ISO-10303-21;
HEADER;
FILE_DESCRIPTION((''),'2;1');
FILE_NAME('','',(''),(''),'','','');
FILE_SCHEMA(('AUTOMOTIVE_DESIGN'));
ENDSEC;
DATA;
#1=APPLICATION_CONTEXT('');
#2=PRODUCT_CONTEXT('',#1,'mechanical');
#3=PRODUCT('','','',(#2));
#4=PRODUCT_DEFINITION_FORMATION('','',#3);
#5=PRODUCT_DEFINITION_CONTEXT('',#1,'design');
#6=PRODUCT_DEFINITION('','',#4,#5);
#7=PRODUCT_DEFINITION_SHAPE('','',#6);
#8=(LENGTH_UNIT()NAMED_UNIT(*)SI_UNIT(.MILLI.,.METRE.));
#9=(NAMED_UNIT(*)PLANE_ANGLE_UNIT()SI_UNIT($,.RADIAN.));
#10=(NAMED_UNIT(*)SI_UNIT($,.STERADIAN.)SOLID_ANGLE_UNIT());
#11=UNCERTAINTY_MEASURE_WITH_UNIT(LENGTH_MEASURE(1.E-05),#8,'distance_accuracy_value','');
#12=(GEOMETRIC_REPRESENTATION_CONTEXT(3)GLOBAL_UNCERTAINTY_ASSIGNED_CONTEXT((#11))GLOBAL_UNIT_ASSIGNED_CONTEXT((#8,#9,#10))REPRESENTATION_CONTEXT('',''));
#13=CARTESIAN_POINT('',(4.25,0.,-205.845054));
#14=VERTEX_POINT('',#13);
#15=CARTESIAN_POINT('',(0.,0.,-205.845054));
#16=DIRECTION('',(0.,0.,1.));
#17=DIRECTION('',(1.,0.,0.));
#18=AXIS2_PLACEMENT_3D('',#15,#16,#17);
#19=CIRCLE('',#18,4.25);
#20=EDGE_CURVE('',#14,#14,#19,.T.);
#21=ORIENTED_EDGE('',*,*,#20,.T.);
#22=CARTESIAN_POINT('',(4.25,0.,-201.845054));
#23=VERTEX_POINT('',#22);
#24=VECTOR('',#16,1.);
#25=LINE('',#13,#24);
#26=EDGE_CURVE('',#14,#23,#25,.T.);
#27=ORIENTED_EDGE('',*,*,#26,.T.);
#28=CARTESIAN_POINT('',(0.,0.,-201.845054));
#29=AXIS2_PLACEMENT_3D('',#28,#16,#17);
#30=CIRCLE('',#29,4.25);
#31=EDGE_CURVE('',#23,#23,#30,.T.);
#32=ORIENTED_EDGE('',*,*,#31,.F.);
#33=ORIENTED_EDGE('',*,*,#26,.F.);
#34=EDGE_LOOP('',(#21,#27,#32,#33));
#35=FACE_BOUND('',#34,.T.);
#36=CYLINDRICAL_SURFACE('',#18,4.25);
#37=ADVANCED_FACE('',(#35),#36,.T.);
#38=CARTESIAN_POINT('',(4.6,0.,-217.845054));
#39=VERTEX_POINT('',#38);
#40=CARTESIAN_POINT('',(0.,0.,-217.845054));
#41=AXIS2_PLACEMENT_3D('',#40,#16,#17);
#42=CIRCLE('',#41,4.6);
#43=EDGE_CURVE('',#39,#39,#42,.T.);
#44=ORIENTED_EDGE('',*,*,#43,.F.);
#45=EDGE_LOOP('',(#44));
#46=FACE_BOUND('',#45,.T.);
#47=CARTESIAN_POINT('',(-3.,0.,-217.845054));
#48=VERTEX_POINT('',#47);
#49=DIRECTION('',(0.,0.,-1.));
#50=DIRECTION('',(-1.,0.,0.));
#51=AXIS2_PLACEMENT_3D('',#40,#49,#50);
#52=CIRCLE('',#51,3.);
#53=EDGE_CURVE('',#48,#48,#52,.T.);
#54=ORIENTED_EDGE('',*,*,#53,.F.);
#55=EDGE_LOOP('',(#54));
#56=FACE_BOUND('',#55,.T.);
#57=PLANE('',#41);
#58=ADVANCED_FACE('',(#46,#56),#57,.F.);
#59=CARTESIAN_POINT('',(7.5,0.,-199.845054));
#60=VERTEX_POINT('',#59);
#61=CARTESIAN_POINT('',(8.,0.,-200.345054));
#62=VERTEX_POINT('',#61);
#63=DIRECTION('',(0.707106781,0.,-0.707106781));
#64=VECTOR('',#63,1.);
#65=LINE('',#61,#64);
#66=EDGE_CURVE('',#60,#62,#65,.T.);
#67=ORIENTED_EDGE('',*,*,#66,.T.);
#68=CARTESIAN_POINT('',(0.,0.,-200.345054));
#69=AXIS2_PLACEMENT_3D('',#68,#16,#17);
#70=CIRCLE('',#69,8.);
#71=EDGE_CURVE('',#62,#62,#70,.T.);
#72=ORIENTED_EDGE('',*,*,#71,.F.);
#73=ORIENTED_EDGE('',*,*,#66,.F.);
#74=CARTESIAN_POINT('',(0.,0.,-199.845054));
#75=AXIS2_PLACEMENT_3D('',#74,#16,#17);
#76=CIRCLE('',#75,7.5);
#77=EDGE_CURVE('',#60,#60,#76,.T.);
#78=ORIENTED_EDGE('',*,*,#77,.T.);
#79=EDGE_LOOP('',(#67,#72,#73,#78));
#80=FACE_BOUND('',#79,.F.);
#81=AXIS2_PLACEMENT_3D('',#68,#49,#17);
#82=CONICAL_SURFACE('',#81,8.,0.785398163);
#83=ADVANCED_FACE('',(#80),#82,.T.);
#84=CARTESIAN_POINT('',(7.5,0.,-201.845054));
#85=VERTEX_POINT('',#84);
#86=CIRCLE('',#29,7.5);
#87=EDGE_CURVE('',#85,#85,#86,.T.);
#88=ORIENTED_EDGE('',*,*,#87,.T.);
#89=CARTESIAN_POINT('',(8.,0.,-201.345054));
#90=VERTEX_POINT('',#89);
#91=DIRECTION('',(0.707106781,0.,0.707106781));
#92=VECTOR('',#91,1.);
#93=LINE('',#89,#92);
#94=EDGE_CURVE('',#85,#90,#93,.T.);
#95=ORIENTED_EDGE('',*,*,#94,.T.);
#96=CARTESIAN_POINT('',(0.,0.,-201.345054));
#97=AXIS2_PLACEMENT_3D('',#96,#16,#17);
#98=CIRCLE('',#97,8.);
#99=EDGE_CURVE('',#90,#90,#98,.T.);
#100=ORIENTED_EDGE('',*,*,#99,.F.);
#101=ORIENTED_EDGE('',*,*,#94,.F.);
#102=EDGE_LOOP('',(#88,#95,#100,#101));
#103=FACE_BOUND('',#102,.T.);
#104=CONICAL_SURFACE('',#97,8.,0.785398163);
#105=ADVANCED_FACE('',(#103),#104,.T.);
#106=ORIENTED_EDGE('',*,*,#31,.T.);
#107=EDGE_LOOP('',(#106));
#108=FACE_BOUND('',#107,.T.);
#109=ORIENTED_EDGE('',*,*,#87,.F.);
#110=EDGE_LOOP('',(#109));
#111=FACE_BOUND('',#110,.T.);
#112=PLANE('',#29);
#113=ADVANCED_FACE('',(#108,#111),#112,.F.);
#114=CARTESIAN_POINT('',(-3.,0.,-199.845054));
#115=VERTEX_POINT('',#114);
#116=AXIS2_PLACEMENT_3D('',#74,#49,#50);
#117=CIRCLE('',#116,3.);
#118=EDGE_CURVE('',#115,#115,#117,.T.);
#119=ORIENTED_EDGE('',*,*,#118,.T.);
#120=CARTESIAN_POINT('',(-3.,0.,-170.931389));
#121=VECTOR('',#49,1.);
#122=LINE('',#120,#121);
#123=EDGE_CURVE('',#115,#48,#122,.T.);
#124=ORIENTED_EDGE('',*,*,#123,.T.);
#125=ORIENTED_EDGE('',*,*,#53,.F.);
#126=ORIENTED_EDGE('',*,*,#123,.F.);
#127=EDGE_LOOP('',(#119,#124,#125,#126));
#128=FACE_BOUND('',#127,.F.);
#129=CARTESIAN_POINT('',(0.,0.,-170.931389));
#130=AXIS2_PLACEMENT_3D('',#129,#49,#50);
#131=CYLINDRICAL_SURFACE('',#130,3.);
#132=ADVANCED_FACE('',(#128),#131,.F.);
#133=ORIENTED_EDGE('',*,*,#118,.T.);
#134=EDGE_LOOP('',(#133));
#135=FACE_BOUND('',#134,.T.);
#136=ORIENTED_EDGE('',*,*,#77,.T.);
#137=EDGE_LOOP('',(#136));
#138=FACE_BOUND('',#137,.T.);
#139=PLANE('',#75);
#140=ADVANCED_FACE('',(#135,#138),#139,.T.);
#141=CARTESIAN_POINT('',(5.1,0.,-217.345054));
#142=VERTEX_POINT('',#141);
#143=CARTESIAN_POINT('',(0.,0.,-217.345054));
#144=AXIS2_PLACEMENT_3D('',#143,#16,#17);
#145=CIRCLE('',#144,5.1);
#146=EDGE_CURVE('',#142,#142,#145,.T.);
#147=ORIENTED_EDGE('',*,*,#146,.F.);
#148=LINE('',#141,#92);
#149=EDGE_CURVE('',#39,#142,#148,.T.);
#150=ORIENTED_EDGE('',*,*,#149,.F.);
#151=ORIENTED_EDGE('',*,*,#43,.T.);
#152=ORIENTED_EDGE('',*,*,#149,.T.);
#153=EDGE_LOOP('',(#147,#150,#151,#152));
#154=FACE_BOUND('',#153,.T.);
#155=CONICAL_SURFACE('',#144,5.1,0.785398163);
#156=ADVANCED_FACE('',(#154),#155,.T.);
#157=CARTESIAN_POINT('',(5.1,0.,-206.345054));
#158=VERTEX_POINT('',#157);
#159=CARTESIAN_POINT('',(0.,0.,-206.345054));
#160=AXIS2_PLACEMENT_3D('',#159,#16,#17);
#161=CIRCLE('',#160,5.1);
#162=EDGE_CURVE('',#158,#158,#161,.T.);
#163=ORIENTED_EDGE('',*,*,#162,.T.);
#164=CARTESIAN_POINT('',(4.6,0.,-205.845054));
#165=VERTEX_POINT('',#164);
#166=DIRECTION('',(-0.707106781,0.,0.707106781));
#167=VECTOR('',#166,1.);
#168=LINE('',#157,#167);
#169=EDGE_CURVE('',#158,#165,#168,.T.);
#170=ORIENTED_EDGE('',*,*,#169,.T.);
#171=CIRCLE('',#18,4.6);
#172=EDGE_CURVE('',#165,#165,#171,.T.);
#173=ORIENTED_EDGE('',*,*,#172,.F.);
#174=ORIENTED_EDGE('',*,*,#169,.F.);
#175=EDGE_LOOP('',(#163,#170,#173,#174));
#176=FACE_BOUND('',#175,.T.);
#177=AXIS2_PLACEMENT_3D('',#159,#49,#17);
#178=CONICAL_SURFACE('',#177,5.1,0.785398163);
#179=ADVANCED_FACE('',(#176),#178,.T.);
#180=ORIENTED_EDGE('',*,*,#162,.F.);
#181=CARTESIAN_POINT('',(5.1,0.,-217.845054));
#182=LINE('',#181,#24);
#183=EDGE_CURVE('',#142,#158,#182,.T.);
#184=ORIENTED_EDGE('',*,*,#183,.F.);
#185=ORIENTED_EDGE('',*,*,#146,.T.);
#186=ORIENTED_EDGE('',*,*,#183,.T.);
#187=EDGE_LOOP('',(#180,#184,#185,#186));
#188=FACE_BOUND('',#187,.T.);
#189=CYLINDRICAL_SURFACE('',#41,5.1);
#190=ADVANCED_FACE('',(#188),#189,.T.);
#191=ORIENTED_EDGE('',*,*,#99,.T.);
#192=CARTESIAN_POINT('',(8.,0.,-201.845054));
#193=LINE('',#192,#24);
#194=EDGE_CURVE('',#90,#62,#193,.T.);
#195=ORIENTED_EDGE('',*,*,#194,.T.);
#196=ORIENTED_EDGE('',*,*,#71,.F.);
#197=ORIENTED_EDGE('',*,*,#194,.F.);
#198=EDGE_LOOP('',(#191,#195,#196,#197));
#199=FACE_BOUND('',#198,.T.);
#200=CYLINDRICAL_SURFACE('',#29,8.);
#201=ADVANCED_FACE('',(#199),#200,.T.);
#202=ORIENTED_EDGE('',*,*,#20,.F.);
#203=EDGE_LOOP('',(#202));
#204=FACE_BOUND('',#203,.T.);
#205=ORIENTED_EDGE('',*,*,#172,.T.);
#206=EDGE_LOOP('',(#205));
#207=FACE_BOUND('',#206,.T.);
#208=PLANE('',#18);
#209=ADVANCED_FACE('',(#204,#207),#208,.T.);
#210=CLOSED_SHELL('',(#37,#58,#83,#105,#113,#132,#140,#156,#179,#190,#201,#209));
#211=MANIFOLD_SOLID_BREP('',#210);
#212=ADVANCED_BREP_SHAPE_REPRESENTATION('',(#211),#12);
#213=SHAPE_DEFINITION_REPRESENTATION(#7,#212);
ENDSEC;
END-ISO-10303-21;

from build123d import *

# Parameters (mm, degrees)
F2_SIZE2 = 0.5
F2_SIZE  = 0.5
F4_D     = 6


with BuildPart() as f1:
    # F0 (on Front) → F1 (revolve)
    with BuildSketch(Plane.XZ):
        Polygon((8, -199.845054), (0, -199.845054), (0, -217.845054), (5.1, -217.845054), (5.1, -205.845054), (4.25, -205.845054), (4.25, -201.845054), (8, -201.845054), align=None)
    revolve(axis=Axis((0, 0, -208.845054), (0, 0, 1)))

    # F2
    f2_edges = [f1.edges().sort_by_distance(p)[0] for p in [
        (-8, 0, -199.845054),
        (-8, 0, -201.845054),
        (-5.1, 0, -205.845054),
        (-5.1, 0, -217.845054),
    ]]
    chamfer(f2_edges, length=F2_SIZE, length2=F2_SIZE2)

    # F4 (through all)
    with Locations(Plane.XY.offset(-199.845054)):
        with Locations((0, 0)):
            Hole(F4_D / 2)


solid = f1.part
